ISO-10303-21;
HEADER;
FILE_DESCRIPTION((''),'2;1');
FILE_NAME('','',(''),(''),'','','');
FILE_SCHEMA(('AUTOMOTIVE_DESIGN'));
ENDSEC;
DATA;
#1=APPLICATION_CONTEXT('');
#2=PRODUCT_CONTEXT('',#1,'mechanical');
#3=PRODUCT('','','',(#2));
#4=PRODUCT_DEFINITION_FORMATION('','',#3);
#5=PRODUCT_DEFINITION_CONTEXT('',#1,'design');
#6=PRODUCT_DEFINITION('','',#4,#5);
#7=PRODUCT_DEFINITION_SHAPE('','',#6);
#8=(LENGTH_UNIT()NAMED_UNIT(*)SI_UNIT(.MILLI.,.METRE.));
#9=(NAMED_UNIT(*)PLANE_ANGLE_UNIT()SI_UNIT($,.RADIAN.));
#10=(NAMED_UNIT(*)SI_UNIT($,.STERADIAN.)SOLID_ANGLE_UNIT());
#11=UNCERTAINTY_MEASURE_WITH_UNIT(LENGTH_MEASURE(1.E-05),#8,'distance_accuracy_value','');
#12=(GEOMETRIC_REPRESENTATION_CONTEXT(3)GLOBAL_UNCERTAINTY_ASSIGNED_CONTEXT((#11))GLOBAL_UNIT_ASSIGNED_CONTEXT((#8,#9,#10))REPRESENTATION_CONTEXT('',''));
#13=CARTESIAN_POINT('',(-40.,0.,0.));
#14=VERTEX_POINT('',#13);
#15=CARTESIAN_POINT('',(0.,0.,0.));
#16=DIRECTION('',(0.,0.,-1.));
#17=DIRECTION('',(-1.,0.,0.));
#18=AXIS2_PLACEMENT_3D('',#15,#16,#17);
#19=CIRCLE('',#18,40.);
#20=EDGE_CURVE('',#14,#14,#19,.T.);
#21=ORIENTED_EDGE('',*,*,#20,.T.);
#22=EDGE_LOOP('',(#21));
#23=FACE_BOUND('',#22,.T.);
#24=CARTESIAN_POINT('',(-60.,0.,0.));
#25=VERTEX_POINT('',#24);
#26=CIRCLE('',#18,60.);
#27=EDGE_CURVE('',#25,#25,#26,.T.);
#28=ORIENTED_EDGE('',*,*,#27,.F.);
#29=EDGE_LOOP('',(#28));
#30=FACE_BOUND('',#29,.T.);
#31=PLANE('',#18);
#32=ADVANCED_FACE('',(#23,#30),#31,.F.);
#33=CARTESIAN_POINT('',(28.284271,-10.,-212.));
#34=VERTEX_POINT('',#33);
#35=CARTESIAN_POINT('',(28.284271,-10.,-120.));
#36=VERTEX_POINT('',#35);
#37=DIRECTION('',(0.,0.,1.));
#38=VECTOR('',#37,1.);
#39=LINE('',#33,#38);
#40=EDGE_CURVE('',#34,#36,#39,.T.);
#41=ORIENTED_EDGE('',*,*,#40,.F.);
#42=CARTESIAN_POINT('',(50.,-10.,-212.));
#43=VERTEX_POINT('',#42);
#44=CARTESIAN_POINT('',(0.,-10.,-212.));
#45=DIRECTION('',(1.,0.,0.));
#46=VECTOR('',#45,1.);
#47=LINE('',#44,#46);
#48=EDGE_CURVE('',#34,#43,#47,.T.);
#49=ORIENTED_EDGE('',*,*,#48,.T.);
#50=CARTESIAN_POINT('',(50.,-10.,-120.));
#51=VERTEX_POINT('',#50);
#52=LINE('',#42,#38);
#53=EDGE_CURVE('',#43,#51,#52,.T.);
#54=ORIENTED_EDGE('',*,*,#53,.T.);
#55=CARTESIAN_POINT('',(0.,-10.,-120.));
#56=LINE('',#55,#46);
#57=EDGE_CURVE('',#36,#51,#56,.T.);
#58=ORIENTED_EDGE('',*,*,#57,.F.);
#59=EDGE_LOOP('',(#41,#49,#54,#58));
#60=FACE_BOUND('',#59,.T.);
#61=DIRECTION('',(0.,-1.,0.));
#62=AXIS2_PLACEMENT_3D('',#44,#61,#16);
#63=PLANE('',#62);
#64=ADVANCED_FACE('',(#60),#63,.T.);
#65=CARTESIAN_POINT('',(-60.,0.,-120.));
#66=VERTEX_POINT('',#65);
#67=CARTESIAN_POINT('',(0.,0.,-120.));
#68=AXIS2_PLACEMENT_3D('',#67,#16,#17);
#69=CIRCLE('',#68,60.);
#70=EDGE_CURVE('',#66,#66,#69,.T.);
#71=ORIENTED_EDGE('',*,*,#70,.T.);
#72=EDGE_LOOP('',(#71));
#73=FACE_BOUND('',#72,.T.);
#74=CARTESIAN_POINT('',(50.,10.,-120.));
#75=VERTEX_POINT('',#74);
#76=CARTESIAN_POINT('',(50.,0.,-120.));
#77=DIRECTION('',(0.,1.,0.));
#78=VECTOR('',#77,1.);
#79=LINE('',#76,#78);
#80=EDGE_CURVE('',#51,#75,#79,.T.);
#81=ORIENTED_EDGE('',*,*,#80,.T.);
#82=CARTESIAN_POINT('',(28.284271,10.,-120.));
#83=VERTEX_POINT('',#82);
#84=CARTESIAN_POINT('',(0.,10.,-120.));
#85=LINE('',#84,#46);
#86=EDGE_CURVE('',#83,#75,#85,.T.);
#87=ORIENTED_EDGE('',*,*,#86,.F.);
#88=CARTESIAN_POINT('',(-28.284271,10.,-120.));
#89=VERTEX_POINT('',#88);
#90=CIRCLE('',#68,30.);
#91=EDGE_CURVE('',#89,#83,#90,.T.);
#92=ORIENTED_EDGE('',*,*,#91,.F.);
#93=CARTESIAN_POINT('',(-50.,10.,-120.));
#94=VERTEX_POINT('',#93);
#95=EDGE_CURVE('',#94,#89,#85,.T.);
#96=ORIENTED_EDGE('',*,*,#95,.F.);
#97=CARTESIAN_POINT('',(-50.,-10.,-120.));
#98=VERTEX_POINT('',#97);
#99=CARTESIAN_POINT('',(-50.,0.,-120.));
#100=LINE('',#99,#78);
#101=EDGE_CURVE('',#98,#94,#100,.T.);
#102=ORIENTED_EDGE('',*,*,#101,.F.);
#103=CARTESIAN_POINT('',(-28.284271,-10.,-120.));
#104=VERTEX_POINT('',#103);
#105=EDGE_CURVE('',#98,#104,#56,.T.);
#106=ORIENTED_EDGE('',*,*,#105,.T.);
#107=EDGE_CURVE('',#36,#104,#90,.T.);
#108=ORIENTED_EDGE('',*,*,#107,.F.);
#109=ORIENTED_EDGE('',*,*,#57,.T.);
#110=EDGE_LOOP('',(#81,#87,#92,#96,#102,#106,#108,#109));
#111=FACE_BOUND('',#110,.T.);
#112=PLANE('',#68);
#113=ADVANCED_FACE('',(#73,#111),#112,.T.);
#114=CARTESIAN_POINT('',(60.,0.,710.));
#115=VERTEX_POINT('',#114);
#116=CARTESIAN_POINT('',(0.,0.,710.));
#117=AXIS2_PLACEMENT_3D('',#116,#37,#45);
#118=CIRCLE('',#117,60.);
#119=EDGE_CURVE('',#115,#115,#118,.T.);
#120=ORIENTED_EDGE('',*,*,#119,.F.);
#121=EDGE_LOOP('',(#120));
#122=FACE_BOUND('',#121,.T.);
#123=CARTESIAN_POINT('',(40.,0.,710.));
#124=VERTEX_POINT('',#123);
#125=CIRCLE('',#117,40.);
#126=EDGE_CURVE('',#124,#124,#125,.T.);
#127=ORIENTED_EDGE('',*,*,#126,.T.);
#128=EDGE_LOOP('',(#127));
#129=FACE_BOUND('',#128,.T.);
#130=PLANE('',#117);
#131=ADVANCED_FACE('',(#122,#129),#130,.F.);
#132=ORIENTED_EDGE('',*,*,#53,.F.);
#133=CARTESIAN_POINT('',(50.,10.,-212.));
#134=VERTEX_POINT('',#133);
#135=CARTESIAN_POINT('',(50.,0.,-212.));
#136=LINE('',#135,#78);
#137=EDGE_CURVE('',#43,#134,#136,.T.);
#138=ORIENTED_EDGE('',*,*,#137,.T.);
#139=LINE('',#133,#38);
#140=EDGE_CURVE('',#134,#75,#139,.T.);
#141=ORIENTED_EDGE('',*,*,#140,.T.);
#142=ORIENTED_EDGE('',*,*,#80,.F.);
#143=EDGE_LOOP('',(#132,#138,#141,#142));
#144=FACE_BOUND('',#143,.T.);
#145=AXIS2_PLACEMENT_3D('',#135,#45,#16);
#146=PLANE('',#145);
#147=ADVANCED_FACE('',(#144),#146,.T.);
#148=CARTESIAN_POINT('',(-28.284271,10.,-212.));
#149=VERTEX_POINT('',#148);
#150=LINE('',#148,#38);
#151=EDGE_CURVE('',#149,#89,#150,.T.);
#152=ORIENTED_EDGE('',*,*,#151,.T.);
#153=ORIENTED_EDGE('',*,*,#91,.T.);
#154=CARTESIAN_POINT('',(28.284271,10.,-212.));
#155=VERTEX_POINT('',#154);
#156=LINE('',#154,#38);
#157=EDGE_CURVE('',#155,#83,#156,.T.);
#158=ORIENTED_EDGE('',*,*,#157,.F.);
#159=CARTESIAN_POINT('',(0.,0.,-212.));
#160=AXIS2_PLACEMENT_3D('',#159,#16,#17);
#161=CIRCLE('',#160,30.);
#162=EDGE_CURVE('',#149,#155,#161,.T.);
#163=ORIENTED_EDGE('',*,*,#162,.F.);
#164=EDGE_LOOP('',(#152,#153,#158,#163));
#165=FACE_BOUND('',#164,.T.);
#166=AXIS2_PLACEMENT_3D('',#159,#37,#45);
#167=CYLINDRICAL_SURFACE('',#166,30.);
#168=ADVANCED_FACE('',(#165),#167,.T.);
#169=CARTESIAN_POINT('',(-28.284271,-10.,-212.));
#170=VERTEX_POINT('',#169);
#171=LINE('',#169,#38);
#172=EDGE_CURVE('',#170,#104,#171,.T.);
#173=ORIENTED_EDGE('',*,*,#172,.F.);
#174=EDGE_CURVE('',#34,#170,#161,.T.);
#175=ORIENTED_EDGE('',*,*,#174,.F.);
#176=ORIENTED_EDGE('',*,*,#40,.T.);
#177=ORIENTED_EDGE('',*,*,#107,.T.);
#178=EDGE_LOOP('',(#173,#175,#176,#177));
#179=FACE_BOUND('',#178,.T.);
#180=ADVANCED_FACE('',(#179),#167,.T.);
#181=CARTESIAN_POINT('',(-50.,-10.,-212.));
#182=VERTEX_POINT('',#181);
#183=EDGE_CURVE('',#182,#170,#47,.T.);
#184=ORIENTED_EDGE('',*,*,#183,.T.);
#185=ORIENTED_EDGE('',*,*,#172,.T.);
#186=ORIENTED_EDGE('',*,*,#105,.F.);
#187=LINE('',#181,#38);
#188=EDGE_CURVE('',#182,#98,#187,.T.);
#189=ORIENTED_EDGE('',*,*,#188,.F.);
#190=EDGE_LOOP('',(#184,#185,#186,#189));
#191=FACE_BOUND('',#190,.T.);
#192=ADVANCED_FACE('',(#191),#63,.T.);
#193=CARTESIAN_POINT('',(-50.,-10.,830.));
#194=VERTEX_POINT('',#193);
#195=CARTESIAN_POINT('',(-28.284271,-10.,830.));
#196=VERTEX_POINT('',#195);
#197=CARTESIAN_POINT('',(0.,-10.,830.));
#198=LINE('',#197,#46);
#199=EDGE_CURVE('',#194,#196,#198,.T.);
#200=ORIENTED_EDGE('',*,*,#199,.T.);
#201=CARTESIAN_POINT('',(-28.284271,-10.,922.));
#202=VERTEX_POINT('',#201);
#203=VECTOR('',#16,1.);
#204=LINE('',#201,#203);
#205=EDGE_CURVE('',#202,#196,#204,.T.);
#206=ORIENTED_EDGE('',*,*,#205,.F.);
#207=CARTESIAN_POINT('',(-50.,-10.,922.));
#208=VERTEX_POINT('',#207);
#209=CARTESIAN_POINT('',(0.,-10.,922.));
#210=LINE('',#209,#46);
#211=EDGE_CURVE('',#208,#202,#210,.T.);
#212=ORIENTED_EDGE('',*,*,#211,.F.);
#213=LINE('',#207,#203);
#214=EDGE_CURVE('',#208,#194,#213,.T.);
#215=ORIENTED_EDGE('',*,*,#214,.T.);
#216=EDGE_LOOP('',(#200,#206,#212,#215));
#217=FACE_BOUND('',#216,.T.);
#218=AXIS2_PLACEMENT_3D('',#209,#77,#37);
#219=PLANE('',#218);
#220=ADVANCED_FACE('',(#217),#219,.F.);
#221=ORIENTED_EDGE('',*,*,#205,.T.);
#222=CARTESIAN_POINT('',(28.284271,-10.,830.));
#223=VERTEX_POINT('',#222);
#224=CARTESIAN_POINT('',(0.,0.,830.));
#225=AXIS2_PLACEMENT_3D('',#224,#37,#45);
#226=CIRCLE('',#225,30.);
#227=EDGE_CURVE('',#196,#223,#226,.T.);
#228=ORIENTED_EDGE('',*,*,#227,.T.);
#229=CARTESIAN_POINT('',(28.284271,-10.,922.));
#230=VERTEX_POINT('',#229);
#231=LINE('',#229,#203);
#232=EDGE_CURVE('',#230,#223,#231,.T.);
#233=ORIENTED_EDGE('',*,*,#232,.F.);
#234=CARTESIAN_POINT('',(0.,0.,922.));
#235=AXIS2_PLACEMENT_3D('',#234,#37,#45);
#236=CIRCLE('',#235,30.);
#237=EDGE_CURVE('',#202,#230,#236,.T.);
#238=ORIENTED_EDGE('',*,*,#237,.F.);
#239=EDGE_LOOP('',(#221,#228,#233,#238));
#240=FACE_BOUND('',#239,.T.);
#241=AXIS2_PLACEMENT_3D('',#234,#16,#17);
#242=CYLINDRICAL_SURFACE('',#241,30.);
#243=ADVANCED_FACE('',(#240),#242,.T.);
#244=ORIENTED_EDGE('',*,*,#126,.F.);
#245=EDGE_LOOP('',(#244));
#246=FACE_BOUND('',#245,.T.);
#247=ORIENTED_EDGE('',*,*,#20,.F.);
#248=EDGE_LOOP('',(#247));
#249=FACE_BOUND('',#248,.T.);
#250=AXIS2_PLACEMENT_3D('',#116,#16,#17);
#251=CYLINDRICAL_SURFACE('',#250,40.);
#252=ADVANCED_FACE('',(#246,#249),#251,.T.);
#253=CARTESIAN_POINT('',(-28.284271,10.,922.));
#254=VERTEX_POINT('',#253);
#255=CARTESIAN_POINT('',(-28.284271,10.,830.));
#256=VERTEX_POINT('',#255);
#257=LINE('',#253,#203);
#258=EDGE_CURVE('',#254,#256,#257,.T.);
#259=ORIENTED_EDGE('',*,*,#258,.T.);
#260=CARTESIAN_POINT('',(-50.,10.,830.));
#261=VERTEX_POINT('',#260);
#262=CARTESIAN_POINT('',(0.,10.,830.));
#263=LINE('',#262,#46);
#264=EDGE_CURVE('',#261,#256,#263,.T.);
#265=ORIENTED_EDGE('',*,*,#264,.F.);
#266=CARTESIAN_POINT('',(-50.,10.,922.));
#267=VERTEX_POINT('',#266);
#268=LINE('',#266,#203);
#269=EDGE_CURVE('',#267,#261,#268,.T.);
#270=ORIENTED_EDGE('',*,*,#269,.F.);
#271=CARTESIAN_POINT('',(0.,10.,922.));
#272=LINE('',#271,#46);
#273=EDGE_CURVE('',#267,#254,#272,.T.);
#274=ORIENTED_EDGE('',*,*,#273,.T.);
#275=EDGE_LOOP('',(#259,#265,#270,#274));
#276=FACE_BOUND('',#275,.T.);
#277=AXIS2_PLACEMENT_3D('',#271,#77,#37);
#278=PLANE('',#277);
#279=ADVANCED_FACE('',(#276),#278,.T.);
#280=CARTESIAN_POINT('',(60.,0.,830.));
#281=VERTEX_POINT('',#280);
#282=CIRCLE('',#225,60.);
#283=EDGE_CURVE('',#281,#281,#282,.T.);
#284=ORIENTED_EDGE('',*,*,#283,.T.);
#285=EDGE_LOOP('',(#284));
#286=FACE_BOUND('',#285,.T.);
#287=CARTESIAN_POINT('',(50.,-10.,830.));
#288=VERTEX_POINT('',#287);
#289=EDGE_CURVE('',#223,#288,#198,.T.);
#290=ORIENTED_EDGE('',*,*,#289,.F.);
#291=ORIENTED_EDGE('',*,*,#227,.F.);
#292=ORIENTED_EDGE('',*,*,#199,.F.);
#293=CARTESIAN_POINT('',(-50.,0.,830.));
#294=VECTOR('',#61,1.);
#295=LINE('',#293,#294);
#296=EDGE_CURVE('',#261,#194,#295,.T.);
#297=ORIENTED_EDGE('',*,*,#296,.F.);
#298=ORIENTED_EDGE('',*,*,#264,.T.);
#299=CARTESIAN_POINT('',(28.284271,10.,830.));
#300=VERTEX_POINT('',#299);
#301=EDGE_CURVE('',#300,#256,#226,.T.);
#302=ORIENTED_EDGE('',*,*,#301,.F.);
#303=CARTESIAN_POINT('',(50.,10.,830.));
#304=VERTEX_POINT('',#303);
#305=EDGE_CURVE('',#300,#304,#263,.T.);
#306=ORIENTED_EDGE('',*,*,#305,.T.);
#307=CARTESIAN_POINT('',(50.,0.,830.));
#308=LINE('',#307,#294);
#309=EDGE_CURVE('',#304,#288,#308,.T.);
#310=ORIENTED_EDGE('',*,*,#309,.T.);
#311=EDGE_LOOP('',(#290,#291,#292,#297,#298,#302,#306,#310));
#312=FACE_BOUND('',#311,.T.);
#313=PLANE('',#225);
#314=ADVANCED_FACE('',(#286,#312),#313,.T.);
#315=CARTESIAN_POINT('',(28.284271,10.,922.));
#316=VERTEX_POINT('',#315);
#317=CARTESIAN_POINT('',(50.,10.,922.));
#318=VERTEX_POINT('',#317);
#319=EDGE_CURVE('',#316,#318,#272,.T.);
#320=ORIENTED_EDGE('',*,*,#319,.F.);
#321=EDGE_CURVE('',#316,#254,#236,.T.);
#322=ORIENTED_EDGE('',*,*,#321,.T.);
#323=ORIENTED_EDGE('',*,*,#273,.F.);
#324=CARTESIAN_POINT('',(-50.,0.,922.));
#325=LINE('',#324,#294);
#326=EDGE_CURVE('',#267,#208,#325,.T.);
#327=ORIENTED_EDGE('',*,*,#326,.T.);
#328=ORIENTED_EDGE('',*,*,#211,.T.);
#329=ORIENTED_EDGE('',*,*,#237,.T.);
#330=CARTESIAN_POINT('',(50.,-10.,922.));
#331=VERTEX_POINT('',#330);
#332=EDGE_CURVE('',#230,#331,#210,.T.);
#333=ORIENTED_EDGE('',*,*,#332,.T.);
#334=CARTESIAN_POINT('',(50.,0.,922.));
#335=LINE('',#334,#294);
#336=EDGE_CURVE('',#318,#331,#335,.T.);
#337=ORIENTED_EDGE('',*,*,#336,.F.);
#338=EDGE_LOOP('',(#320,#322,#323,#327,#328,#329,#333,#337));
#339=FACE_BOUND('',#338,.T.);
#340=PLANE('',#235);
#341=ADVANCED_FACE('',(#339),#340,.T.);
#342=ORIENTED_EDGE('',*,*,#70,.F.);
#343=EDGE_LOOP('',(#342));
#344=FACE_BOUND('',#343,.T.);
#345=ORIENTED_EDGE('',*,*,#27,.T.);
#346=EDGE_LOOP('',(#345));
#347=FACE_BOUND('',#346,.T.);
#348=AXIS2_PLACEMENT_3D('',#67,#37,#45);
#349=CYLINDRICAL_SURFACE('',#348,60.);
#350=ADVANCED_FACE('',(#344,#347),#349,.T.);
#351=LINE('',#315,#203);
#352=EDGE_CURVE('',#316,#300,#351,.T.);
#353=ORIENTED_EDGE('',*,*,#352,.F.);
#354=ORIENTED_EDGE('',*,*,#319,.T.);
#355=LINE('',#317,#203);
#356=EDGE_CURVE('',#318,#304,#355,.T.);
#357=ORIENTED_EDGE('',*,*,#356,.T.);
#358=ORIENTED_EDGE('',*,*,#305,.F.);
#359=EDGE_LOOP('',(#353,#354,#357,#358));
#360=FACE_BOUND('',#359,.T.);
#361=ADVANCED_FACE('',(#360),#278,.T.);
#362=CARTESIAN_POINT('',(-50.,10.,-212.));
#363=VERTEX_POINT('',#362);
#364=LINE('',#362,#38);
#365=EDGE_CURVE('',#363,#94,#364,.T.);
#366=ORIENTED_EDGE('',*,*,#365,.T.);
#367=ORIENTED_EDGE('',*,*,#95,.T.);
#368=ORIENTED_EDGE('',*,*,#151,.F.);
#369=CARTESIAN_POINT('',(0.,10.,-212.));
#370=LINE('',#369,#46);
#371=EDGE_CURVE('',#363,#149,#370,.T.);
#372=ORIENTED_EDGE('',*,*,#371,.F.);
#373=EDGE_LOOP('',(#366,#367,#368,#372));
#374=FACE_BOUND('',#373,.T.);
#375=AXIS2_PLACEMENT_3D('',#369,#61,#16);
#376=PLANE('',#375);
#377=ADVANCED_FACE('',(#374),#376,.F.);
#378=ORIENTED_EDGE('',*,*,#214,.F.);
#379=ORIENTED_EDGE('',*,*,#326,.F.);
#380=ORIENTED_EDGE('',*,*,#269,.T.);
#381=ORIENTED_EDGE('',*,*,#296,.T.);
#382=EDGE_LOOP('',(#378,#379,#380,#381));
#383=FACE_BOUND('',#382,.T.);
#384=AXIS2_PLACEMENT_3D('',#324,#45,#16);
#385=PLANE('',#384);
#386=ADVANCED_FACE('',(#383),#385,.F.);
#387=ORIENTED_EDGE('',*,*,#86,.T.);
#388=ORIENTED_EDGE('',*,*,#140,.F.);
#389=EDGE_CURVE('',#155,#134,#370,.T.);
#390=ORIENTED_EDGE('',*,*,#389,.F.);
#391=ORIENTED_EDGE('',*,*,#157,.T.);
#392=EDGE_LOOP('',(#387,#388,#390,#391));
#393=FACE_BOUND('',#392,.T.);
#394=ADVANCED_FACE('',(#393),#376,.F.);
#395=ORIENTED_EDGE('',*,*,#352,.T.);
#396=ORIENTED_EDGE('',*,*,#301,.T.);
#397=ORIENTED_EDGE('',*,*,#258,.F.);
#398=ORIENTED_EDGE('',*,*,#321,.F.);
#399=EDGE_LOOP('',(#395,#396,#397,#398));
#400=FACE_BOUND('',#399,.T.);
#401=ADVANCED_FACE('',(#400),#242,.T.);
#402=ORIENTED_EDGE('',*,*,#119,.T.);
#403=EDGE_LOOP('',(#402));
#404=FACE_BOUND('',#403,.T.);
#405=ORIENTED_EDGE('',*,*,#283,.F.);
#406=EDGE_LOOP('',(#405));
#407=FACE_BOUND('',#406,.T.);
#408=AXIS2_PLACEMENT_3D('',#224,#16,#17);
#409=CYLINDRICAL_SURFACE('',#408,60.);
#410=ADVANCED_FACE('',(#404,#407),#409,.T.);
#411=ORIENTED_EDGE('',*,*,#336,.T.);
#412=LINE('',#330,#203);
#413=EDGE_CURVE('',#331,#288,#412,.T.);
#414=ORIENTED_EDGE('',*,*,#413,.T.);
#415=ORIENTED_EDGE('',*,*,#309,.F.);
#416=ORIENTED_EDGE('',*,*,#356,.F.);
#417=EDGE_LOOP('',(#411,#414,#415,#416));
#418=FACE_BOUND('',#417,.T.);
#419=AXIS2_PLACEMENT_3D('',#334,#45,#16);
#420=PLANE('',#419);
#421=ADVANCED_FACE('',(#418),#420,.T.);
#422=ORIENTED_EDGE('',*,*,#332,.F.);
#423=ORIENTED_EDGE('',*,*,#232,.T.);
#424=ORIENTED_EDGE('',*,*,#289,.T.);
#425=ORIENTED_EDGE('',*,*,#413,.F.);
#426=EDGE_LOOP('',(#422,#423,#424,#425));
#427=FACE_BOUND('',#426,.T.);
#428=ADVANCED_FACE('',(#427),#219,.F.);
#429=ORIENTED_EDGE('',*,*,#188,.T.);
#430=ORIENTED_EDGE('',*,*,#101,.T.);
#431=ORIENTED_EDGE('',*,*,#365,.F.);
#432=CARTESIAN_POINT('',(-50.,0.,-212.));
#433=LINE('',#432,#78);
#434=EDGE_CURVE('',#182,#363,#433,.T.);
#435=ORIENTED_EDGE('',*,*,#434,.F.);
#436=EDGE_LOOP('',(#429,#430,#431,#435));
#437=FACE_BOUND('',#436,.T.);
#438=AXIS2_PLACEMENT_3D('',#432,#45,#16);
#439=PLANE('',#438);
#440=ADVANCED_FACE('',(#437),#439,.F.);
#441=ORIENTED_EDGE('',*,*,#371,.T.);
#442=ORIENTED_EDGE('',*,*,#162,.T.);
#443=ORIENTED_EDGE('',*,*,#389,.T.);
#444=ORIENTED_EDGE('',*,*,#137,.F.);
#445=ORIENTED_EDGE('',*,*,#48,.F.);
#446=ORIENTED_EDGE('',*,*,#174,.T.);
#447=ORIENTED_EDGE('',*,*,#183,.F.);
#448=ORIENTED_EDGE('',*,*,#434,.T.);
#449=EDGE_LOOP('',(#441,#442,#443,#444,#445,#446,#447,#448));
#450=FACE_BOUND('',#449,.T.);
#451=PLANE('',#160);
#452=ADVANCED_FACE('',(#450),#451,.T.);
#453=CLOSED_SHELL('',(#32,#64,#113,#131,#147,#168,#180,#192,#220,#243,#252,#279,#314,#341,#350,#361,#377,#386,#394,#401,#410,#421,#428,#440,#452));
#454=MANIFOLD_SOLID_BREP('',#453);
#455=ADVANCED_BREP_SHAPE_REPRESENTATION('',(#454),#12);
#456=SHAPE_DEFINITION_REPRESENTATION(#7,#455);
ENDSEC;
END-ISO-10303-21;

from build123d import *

# Parameters (mm, degrees)
SKETCH1_R           = 40
BOSS_EXTRUDE1_DEPTH = 710
SKETCH2_R           = 60
BOSS_EXTRUDE2_DEPTH = 120
SKETCH3_R           = 60
BOSS_EXTRUDE3_DEPTH = 120
BOSS_EXTRUDE4_DEPTH = 92
BOSS_EXTRUDE5_DEPTH = 92


with BuildPart() as part:
    # Sketch1 → Boss-Extrude1 (new body)
    with BuildSketch(Plane.XY):
        Circle(SKETCH1_R)
    extrude(amount=BOSS_EXTRUDE1_DEPTH)

    # Sketch2 → Boss-Extrude2 (add)
    with BuildSketch(Plane.XY.offset(710)):
        Circle(SKETCH2_R)
    extrude(amount=BOSS_EXTRUDE2_DEPTH)

    # Sketch3 → Boss-Extrude3 (add)
    with BuildSketch(Plane(origin=(0, 0, 0), x_dir=(-1, 0, 0), z_dir=(0, 0, -1))):
        Circle(SKETCH3_R)
    extrude(amount=BOSS_EXTRUDE3_DEPTH)

    # Sketch4 → Boss-Extrude4 (add)
    with BuildSketch(Plane.XY.offset(830)):
        with BuildLine():
            Line((-28.284271247, 10), (-50, 10))
            Line((-50, 10), (-50, -10))
            Line((-50, -10), (-28.284271247, -10))
            ThreePointArc((-28.284271247, -10), (-30, 0), (-28.284271247, 10))
        make_face()
        with BuildLine():
            ThreePointArc((28.284271247, 10), (0, 30), (-28.284271247, 10))
            Line((-28.284271247, 10), (28.284271247, 10))
        make_face()
        with BuildLine():
            Line((28.284271247, 10), (-28.284271247, 10))
            ThreePointArc((-28.284271247, 10), (-30, 0), (-28.284271247, -10))
            Line((-28.284271247, -10), (28.284271247, -10))
            ThreePointArc((28.284271247, -10), (29.56795679, -5.073059362), (30, 0))
            ThreePointArc((30, 0), (29.56795679, 5.073059362), (28.284271247, 10))
        make_face()
        with BuildLine():
            Line((28.284271247, -10), (-28.284271247, -10))
            ThreePointArc((-28.284271247, -10), (0, -30), (28.284271247, -10))
        make_face()
        with BuildLine():
            Line((50, 10), (28.284271247, 10))
            ThreePointArc((28.284271247, 10), (29.56795679, 5.073059362), (30, 0))
            ThreePointArc((30, 0), (29.56795679, -5.073059362), (28.284271247, -10))
            Line((28.284271247, -10), (50, -10))
            Line((50, -10), (50, 10))
        make_face()
    extrude(amount=BOSS_EXTRUDE4_DEPTH)

    # Sketch5 → Boss-Extrude5 (add)
    with BuildSketch(Plane(origin=(0, 0, -120), x_dir=(-1, 0, 0), z_dir=(0, 0, -1))):
        with BuildLine():
            Line((-28.284271247, 10), (28.284271247, 10))
            ThreePointArc((28.284271247, 10), (0, 30), (-28.284271247, 10))
        make_face()
        with BuildLine():
            Line((-50, -10), (-28.284271247, -10))
            ThreePointArc((-28.284271247, -10), (-30, 0), (-28.284271247, 10))
            Line((-28.284271247, 10), (-50, 10))
            Line((-50, 10), (-50, -10))
        make_face()
        with BuildLine():
            Line((-28.284271247, -10), (28.284271247, -10))
            ThreePointArc((28.284271247, -10), (29.56795679, -5.073059362), (30, 0))
            ThreePointArc((30, 0), (29.56795679, 5.073059362), (28.284271247, 10))
            Line((28.284271247, 10), (-28.284271247, 10))
            ThreePointArc((-28.284271247, 10), (-30, 0), (-28.284271247, -10))
        make_face()
        with BuildLine():
            ThreePointArc((-28.284271247, -10), (0, -30), (28.284271247, -10))
            Line((28.284271247, -10), (-28.284271247, -10))
        make_face()
        with BuildLine():
            Line((28.284271247, -10), (50, -10))
            Line((50, -10), (50, 10))
            Line((50, 10), (28.284271247, 10))
            ThreePointArc((28.284271247, 10), (29.56795679, 5.073059362), (30, 0))
            ThreePointArc((30, 0), (29.56795679, -5.073059362), (28.284271247, -10))
        make_face()
    extrude(amount=BOSS_EXTRUDE5_DEPTH)


solid = part.part
